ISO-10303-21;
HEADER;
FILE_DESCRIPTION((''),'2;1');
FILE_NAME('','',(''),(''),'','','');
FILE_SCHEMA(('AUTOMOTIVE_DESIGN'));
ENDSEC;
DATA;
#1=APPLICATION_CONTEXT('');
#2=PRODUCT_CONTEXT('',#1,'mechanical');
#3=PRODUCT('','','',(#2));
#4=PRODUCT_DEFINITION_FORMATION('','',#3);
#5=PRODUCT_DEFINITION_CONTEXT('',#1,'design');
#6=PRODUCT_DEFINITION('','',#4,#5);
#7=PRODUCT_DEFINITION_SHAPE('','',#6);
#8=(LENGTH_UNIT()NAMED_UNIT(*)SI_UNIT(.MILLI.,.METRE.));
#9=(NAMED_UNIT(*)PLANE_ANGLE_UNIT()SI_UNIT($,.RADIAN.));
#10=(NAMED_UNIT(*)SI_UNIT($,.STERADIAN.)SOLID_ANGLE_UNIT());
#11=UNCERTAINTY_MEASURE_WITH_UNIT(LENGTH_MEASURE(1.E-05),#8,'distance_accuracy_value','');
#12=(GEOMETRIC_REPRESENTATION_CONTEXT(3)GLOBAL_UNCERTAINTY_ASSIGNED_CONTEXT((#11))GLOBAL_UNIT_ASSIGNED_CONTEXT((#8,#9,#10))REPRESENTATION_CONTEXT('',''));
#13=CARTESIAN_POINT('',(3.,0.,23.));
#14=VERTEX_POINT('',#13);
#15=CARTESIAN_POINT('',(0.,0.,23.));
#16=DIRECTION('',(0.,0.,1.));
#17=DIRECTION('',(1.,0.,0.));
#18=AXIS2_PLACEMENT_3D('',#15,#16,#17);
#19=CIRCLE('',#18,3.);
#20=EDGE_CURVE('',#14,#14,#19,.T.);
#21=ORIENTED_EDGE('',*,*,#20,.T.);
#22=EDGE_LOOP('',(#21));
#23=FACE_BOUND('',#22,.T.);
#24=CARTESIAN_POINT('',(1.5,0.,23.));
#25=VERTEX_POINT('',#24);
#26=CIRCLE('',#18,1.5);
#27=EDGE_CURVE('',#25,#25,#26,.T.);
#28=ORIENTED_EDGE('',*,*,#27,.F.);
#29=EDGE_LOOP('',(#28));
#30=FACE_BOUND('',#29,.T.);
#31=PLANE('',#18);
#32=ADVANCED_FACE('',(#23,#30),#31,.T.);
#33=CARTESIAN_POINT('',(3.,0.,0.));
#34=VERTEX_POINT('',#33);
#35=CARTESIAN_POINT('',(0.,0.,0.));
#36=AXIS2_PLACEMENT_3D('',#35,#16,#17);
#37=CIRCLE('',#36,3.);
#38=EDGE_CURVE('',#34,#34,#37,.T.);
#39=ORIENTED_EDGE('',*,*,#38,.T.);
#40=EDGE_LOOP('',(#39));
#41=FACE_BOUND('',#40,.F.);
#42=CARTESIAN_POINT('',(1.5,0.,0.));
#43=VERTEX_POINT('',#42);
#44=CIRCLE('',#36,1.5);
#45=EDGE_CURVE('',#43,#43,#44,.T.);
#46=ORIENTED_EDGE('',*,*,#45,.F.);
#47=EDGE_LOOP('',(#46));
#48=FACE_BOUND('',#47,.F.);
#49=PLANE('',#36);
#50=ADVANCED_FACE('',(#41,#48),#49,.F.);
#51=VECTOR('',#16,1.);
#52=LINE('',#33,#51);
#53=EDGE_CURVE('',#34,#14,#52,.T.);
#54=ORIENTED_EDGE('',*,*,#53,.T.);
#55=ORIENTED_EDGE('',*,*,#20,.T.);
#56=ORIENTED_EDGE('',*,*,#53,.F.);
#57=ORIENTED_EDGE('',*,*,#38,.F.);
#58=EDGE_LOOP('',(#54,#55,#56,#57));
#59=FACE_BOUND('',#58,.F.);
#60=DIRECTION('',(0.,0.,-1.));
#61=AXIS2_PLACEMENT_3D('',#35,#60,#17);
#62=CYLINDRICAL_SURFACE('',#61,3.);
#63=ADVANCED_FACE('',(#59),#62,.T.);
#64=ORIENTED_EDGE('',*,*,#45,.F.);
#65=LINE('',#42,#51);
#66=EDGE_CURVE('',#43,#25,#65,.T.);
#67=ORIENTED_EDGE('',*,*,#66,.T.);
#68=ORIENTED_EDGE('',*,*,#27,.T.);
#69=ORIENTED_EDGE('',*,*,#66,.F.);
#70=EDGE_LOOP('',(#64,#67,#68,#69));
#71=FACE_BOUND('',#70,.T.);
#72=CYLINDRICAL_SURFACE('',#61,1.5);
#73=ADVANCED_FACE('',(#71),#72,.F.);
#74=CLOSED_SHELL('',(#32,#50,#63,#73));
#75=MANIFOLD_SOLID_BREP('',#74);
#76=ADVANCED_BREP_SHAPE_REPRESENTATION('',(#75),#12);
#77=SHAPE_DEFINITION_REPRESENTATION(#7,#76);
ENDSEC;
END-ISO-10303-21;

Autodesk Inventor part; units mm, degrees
ref_plane "YZ Plane" through (0, 0, 0) normal (1, 0, 0) x (0, 1, 0)
ref_plane "XZ Plane" through (0, 0, 0) normal (0, 1, 0) x (-1, 0, 0)
ref_plane "XY Plane" through (0, 0, 0) normal (0, 0, 1) x (1, 0, 0)
sketch "スケッチ1" plane through (0, 0, 0) normal (0, 0, 1) x (1, 0, 0)
  circle A0 centre (0, 0) radius 3
  circle A1 centre (0, 0) radius 1.5
  dimension "d0" = 6
  dimension "d1" = 3
extrude "押し出し1" add sketch "スケッチ1" along normal blind 23
properties part number "スペーサーm3-23　簡易筒型" material "アルミニウム 2014-T4"
